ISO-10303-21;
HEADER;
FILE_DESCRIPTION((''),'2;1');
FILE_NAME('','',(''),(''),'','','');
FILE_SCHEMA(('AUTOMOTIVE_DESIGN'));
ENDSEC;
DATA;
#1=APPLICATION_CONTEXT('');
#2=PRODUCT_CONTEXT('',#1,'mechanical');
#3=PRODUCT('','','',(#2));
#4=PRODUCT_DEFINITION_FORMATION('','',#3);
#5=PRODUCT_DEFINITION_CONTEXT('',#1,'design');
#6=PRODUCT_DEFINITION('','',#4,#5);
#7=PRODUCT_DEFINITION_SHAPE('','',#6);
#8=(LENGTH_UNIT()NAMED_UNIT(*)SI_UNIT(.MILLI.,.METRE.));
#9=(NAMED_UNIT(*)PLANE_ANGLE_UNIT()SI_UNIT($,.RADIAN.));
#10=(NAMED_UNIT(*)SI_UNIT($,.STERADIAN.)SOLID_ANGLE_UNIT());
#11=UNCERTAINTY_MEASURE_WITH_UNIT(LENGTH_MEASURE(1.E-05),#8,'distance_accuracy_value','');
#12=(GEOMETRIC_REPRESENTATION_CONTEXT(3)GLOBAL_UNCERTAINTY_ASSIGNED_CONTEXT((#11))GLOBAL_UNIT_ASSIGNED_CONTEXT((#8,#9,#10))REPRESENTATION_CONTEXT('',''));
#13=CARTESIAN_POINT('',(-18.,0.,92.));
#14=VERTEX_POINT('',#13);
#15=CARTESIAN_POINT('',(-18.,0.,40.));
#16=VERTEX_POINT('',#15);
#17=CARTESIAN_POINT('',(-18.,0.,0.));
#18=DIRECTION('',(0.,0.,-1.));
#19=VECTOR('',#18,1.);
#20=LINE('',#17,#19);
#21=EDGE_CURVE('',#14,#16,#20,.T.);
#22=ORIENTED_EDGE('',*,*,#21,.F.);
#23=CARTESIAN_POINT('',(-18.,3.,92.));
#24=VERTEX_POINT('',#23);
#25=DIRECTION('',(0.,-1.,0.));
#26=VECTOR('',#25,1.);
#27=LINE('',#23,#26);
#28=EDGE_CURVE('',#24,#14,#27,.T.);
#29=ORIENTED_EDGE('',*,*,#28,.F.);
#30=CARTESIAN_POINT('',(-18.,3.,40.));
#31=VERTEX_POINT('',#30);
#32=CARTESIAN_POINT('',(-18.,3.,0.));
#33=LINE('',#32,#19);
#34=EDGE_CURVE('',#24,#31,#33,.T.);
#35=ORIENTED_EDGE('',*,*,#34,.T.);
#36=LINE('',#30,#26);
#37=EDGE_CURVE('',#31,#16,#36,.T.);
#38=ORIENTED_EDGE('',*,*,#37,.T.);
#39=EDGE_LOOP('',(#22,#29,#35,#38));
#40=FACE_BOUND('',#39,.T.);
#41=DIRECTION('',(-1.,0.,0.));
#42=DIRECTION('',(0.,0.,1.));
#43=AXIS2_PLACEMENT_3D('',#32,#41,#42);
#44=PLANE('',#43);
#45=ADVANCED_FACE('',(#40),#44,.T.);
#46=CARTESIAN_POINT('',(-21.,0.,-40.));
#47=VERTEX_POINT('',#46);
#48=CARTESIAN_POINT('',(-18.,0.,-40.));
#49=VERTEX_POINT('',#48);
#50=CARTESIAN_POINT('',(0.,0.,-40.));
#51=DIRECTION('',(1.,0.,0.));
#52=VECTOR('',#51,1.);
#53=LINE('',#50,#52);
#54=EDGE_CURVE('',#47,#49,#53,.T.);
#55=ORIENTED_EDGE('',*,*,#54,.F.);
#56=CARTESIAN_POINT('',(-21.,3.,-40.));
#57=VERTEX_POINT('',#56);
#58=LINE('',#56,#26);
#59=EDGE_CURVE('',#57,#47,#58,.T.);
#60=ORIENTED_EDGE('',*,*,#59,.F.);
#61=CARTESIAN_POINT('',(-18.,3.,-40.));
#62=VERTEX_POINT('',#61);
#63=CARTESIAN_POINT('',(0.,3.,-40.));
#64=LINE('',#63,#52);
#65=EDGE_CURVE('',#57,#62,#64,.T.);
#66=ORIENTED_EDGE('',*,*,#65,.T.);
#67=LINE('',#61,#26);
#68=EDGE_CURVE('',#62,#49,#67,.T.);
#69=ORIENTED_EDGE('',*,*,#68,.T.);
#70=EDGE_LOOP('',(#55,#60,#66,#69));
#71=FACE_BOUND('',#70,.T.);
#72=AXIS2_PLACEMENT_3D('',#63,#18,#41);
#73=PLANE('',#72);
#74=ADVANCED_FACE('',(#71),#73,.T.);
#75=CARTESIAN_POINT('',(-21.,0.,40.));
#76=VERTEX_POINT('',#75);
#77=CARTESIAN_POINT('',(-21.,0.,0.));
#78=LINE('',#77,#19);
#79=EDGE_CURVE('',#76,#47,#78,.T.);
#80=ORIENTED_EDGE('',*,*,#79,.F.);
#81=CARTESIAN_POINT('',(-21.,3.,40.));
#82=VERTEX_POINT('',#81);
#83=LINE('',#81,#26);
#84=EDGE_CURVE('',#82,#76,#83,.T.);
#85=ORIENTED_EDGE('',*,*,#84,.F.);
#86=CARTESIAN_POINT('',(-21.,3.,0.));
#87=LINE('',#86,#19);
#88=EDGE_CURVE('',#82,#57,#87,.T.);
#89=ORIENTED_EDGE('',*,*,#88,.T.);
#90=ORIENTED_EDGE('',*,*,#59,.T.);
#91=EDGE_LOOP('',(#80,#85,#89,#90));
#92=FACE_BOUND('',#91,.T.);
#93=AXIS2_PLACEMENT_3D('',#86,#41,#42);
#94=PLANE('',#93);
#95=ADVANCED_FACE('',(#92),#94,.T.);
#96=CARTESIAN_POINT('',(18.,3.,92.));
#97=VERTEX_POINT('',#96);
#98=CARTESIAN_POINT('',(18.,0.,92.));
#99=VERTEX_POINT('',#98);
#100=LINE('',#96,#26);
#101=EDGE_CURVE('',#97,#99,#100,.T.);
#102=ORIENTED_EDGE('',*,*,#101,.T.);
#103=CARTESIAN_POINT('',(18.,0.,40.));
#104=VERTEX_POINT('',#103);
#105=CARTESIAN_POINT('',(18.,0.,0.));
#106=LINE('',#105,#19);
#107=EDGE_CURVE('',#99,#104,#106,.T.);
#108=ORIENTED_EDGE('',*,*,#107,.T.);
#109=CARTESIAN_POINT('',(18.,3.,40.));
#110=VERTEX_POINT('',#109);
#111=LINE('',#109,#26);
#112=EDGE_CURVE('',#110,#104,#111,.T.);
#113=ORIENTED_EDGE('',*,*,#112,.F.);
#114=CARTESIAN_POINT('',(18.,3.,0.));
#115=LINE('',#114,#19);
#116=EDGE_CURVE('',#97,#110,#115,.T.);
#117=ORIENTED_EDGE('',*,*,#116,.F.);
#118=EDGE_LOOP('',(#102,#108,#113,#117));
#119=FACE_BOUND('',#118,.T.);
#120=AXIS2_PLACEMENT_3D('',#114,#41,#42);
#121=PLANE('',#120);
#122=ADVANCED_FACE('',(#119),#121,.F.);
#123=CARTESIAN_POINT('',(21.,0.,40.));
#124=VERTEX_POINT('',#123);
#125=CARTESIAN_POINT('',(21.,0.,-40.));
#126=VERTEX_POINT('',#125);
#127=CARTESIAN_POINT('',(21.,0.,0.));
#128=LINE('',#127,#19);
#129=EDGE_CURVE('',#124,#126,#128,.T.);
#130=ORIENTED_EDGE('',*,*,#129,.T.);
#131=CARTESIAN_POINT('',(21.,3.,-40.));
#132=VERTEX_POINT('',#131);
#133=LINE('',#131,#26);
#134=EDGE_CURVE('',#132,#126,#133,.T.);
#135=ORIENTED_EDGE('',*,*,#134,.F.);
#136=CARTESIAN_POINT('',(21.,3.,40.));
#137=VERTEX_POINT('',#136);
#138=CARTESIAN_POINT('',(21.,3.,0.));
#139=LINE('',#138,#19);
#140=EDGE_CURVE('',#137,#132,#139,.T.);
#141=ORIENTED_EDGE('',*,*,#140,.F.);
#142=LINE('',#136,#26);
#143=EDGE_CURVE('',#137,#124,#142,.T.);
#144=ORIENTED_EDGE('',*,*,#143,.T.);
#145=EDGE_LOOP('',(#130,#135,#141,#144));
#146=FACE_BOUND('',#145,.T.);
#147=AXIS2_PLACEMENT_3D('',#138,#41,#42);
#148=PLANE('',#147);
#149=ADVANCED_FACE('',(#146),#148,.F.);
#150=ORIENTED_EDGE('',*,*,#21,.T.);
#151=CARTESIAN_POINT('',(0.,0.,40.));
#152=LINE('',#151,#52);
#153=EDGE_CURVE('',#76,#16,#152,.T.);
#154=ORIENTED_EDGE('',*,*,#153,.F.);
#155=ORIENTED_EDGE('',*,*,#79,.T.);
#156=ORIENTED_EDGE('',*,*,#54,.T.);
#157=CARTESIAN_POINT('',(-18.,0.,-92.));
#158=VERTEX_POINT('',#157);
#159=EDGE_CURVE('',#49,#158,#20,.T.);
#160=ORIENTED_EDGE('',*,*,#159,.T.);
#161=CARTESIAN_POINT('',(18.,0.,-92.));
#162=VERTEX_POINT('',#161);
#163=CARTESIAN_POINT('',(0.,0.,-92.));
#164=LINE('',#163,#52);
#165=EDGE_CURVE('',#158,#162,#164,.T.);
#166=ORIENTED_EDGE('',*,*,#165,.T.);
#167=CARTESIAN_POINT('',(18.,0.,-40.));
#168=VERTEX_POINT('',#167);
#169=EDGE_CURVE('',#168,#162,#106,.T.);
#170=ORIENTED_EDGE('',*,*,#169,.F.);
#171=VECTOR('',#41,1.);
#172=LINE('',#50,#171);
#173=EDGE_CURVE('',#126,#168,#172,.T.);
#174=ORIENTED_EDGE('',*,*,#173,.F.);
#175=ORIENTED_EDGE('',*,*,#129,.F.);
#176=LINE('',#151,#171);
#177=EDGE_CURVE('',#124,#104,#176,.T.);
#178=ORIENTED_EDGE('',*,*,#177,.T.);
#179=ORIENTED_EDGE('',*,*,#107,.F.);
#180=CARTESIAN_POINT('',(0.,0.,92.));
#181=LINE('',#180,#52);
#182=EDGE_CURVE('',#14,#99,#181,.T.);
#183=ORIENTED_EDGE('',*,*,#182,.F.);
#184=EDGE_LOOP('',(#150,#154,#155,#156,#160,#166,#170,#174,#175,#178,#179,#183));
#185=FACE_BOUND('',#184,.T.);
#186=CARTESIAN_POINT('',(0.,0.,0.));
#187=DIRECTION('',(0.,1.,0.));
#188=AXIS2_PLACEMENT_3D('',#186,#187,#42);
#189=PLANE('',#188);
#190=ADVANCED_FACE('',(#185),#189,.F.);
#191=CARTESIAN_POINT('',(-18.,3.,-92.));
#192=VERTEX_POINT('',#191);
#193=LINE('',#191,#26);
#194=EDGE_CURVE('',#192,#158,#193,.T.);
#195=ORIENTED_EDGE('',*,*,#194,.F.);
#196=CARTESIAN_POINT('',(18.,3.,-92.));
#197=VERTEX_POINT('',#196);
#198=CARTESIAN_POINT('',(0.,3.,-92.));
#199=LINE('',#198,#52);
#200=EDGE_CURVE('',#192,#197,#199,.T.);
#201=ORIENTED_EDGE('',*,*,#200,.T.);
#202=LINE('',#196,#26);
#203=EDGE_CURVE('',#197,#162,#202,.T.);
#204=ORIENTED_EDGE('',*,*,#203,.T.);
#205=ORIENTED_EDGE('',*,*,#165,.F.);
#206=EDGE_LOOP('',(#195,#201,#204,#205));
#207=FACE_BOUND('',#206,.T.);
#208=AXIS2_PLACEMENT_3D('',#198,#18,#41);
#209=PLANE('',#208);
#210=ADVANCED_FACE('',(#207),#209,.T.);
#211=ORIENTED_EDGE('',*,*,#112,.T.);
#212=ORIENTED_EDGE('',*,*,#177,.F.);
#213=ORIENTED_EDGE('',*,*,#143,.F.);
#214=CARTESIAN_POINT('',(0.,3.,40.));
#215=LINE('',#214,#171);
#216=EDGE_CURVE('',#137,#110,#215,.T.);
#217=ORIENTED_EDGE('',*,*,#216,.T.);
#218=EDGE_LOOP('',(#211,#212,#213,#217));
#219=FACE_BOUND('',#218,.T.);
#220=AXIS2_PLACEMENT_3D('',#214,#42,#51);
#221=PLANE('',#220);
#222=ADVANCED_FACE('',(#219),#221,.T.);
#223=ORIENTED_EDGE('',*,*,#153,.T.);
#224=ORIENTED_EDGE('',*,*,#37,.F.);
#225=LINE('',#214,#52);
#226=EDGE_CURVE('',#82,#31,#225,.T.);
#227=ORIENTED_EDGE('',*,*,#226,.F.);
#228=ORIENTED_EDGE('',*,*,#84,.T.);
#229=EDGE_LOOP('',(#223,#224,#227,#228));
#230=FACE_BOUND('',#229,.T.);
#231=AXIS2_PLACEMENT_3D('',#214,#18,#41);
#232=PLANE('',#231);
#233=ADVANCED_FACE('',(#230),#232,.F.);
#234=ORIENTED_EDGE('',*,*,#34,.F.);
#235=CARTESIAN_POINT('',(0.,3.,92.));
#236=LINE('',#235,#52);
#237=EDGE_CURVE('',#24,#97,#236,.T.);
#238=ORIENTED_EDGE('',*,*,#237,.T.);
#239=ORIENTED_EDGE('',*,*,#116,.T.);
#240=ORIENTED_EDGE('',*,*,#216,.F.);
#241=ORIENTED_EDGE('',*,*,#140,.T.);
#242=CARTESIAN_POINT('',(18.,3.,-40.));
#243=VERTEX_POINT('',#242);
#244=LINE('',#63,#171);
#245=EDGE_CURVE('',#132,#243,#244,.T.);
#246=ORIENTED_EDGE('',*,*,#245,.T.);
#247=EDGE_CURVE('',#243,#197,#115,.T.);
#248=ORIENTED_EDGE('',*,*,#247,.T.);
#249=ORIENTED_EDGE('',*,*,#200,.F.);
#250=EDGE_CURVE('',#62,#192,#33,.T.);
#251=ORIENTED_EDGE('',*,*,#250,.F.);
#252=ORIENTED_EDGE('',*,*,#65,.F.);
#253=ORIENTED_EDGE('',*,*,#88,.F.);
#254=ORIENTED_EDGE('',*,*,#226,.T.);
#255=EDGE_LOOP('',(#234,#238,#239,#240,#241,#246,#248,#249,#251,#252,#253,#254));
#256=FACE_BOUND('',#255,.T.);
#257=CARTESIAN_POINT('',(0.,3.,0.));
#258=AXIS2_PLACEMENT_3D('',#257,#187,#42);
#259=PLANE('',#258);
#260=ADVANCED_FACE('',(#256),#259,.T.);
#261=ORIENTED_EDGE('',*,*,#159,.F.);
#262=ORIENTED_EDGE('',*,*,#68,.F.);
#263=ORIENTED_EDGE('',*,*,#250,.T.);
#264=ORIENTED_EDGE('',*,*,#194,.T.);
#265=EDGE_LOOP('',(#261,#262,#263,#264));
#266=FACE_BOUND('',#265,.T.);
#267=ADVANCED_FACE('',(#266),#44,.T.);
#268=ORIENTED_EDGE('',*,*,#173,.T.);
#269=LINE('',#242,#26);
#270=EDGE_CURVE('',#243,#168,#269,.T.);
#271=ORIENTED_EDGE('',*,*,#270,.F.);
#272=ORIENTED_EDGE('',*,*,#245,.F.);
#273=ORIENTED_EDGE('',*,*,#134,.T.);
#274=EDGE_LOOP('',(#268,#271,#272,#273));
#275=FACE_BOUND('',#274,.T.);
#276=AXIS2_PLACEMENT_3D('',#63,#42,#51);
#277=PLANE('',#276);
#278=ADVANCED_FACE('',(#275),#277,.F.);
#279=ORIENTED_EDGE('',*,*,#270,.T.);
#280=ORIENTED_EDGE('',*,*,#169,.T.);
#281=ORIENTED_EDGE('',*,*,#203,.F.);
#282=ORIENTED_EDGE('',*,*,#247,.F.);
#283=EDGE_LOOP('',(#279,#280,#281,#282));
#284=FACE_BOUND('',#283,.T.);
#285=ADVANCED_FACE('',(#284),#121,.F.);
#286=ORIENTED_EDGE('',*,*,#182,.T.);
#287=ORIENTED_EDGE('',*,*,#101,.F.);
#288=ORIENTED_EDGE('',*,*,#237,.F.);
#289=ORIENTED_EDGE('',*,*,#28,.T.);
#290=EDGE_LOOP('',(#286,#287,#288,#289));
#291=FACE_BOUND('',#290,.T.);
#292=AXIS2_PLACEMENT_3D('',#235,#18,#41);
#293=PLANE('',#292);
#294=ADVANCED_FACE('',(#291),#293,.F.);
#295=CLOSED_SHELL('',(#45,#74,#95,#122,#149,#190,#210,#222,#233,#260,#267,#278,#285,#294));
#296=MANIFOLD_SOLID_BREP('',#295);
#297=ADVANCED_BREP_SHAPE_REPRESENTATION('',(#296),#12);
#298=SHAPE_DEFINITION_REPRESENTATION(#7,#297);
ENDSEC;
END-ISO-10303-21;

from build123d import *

# Parameters (mm, degrees)
SKETCH1_W           = 3
SKETCH1_H           = 80
BOSS_EXTRUDE1_DEPTH = 3


with BuildPart() as part:
    # Sketch1 → Boss-Extrude1 (new body)
    with BuildSketch(Plane(origin=(0, 0, 0), x_dir=(1, 0, 0), z_dir=(0, 1, 0))):
        Polygon((-18, -40), (-18, -92), (18, -92), (18, -40), (15, -40), (15, 40), (18, 40), (18, 92), (-18, 92), (-18, 40), (-15, 40), (-15, -40), align=None)
        with Locations((16.5, 0)):
            Rectangle(SKETCH1_W, SKETCH1_H)
        with Locations((19.5, 0)):
            Rectangle(SKETCH1_W, SKETCH1_H)
        with Locations((-19.5, 0)):
            Rectangle(SKETCH1_W, SKETCH1_H)
        with Locations((-16.5, 0)):
            Rectangle(SKETCH1_W, SKETCH1_H)
    extrude(amount=BOSS_EXTRUDE1_DEPTH)


solid = part.part
